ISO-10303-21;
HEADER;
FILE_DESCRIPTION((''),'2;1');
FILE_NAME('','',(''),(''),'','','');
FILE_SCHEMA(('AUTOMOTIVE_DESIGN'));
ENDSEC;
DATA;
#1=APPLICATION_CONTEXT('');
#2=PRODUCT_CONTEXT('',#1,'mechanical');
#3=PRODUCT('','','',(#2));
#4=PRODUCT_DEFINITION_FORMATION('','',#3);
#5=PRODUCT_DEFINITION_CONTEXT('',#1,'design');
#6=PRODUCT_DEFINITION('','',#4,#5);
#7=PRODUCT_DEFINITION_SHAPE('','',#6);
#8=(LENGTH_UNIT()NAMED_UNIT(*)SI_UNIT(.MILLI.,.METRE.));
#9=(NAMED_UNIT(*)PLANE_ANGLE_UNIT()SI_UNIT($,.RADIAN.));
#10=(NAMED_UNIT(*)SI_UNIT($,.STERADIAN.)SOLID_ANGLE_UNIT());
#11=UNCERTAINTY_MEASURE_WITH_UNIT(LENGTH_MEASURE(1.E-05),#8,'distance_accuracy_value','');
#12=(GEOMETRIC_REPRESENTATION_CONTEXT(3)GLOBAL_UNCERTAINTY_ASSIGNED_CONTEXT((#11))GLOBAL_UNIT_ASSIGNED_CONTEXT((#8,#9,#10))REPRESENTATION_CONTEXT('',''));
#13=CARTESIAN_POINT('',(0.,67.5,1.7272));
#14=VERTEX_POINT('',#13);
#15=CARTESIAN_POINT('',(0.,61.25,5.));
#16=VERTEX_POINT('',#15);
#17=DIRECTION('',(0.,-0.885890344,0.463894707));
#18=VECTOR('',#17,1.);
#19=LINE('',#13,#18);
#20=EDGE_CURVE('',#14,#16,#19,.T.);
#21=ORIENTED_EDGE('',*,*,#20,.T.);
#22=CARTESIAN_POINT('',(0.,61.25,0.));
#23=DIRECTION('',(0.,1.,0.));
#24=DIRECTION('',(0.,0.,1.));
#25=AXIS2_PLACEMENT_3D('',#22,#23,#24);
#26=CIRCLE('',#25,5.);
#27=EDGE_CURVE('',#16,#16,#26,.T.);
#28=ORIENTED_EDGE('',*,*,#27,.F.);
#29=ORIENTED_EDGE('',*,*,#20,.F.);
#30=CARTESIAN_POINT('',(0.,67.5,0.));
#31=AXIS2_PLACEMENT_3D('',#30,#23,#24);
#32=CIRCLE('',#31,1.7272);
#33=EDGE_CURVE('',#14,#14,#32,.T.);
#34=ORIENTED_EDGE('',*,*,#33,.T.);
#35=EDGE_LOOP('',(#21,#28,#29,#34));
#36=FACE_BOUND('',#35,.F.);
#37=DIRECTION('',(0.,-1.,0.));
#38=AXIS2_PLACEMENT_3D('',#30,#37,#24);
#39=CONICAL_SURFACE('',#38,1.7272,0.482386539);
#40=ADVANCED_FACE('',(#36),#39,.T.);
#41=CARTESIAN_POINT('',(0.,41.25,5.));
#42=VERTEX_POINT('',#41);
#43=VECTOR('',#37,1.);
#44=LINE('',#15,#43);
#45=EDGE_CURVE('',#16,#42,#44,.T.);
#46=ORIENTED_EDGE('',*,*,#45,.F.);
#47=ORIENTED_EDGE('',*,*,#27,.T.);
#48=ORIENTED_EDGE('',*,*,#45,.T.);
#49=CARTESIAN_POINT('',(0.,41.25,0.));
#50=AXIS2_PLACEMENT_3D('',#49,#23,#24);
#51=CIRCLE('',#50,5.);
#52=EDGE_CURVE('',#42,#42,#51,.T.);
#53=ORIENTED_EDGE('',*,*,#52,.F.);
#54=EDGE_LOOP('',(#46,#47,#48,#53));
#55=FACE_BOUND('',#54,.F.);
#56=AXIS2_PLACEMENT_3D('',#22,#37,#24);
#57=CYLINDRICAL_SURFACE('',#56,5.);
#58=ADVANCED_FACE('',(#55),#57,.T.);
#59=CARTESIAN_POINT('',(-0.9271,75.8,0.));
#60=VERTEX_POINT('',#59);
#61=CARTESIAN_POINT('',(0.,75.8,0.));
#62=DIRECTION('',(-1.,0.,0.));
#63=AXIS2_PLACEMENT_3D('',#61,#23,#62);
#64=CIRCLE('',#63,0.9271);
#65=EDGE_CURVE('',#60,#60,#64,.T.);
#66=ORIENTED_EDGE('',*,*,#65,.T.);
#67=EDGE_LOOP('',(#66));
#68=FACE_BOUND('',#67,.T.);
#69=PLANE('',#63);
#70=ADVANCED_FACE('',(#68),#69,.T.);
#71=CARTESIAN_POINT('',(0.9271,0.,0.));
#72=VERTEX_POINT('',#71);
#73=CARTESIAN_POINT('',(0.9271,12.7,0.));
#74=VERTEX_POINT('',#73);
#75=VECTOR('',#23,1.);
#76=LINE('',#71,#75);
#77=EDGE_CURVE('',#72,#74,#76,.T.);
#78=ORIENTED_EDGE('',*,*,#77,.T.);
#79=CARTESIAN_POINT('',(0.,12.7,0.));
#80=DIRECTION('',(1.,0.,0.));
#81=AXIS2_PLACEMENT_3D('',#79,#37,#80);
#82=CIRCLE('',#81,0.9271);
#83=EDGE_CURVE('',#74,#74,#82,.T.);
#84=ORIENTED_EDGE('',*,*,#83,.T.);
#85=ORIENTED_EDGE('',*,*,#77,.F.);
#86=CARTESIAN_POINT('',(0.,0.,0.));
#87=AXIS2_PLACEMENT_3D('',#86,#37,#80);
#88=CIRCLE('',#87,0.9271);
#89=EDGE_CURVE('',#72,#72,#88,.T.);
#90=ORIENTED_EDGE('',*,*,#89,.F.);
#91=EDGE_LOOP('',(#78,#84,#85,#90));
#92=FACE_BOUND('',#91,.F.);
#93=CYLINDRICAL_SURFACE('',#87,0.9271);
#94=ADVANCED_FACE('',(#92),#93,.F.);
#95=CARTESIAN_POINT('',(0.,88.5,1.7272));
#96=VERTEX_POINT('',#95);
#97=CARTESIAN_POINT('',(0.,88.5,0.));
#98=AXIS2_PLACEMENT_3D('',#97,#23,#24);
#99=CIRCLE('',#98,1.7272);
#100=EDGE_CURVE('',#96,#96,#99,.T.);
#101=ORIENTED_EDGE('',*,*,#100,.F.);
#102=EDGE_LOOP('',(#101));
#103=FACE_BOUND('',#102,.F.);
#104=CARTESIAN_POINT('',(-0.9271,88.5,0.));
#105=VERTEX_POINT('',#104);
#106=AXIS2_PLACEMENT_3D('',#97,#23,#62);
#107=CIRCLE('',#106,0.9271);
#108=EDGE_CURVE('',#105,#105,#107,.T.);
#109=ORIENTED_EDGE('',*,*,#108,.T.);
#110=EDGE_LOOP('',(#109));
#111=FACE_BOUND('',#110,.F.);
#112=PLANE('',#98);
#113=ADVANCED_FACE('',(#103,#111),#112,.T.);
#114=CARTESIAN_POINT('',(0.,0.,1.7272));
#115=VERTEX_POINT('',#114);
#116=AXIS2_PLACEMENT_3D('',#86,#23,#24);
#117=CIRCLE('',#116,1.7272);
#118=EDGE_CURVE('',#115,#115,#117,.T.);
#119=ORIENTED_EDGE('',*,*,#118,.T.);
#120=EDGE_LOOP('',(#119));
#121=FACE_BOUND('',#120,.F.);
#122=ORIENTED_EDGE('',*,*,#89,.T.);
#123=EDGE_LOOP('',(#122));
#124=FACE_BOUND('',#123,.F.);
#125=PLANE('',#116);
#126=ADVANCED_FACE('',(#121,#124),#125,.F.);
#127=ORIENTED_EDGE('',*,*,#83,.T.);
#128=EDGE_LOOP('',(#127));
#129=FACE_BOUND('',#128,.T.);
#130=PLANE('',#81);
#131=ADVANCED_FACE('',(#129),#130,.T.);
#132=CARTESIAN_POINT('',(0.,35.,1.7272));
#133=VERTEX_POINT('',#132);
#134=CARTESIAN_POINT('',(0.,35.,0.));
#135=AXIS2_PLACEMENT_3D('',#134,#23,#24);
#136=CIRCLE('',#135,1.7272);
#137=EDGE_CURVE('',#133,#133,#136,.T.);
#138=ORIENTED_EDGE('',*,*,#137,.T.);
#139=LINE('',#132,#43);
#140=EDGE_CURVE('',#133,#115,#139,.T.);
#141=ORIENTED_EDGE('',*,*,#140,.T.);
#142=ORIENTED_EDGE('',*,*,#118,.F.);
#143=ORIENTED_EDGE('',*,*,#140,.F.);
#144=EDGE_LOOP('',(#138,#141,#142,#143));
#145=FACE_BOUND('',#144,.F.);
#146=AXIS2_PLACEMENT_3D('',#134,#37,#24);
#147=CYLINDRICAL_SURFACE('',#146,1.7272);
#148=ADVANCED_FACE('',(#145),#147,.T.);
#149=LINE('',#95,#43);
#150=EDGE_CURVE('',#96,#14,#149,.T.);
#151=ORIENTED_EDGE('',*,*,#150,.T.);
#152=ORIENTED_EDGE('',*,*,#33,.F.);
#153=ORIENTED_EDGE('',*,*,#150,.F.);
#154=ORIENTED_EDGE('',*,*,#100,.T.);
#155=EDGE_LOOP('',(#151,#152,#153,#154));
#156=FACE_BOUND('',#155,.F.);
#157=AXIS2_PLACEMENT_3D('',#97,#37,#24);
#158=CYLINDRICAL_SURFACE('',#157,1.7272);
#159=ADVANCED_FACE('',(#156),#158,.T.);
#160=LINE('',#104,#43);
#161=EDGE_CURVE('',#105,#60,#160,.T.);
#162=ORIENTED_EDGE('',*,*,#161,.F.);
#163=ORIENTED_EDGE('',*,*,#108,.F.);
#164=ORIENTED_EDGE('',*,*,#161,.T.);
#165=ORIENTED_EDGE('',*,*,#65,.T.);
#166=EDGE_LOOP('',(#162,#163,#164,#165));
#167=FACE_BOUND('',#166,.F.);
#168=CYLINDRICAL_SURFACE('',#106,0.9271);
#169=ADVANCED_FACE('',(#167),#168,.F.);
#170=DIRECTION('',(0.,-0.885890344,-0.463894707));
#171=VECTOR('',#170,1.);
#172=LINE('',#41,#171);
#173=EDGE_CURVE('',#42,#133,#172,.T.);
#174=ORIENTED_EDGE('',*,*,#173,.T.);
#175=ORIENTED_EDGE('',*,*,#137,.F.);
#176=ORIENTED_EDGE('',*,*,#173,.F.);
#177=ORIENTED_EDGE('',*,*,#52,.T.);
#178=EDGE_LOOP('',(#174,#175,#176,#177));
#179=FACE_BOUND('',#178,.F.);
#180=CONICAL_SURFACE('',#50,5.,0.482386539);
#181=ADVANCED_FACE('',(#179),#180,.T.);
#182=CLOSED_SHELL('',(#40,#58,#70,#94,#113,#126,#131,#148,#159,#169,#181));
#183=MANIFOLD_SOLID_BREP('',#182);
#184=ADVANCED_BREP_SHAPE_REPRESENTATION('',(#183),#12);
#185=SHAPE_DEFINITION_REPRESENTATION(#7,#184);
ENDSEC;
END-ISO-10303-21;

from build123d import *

# Parameters (mm, degrees)
F2_R     = 0.9271
F3_DEPTH = 12.7
F4_R     = 0.9271
F5_DEPTH = 12.7


with BuildPart() as f1:
    # F0 (on Right) → F1 (revolve)
    with BuildSketch(Plane.YZ):
        Polygon((0, 1.7272), (0, 0), (88.5, 0), (88.5, 1.7272), (67.5, 1.7272), (61.25, 5), (41.25, 5), (35, 1.7272), align=None)
    revolve(axis=Axis((0, 44.25, 0), (0, 1, 0)))

    # F2 (on face) → F3 (cut)
    with BuildSketch(Plane(origin=(0, 88.5, 0), x_dir=(-1, 0, 0), z_dir=(0, 1, 0))):
        Circle(F2_R)
    extrude(amount=-F3_DEPTH, mode=Mode.SUBTRACT)

    # F4 (on face) → F5 (cut)
    with BuildSketch(Plane.XZ):
        Circle(F4_R)
    extrude(amount=-F5_DEPTH, mode=Mode.SUBTRACT)


solid = f1.part
